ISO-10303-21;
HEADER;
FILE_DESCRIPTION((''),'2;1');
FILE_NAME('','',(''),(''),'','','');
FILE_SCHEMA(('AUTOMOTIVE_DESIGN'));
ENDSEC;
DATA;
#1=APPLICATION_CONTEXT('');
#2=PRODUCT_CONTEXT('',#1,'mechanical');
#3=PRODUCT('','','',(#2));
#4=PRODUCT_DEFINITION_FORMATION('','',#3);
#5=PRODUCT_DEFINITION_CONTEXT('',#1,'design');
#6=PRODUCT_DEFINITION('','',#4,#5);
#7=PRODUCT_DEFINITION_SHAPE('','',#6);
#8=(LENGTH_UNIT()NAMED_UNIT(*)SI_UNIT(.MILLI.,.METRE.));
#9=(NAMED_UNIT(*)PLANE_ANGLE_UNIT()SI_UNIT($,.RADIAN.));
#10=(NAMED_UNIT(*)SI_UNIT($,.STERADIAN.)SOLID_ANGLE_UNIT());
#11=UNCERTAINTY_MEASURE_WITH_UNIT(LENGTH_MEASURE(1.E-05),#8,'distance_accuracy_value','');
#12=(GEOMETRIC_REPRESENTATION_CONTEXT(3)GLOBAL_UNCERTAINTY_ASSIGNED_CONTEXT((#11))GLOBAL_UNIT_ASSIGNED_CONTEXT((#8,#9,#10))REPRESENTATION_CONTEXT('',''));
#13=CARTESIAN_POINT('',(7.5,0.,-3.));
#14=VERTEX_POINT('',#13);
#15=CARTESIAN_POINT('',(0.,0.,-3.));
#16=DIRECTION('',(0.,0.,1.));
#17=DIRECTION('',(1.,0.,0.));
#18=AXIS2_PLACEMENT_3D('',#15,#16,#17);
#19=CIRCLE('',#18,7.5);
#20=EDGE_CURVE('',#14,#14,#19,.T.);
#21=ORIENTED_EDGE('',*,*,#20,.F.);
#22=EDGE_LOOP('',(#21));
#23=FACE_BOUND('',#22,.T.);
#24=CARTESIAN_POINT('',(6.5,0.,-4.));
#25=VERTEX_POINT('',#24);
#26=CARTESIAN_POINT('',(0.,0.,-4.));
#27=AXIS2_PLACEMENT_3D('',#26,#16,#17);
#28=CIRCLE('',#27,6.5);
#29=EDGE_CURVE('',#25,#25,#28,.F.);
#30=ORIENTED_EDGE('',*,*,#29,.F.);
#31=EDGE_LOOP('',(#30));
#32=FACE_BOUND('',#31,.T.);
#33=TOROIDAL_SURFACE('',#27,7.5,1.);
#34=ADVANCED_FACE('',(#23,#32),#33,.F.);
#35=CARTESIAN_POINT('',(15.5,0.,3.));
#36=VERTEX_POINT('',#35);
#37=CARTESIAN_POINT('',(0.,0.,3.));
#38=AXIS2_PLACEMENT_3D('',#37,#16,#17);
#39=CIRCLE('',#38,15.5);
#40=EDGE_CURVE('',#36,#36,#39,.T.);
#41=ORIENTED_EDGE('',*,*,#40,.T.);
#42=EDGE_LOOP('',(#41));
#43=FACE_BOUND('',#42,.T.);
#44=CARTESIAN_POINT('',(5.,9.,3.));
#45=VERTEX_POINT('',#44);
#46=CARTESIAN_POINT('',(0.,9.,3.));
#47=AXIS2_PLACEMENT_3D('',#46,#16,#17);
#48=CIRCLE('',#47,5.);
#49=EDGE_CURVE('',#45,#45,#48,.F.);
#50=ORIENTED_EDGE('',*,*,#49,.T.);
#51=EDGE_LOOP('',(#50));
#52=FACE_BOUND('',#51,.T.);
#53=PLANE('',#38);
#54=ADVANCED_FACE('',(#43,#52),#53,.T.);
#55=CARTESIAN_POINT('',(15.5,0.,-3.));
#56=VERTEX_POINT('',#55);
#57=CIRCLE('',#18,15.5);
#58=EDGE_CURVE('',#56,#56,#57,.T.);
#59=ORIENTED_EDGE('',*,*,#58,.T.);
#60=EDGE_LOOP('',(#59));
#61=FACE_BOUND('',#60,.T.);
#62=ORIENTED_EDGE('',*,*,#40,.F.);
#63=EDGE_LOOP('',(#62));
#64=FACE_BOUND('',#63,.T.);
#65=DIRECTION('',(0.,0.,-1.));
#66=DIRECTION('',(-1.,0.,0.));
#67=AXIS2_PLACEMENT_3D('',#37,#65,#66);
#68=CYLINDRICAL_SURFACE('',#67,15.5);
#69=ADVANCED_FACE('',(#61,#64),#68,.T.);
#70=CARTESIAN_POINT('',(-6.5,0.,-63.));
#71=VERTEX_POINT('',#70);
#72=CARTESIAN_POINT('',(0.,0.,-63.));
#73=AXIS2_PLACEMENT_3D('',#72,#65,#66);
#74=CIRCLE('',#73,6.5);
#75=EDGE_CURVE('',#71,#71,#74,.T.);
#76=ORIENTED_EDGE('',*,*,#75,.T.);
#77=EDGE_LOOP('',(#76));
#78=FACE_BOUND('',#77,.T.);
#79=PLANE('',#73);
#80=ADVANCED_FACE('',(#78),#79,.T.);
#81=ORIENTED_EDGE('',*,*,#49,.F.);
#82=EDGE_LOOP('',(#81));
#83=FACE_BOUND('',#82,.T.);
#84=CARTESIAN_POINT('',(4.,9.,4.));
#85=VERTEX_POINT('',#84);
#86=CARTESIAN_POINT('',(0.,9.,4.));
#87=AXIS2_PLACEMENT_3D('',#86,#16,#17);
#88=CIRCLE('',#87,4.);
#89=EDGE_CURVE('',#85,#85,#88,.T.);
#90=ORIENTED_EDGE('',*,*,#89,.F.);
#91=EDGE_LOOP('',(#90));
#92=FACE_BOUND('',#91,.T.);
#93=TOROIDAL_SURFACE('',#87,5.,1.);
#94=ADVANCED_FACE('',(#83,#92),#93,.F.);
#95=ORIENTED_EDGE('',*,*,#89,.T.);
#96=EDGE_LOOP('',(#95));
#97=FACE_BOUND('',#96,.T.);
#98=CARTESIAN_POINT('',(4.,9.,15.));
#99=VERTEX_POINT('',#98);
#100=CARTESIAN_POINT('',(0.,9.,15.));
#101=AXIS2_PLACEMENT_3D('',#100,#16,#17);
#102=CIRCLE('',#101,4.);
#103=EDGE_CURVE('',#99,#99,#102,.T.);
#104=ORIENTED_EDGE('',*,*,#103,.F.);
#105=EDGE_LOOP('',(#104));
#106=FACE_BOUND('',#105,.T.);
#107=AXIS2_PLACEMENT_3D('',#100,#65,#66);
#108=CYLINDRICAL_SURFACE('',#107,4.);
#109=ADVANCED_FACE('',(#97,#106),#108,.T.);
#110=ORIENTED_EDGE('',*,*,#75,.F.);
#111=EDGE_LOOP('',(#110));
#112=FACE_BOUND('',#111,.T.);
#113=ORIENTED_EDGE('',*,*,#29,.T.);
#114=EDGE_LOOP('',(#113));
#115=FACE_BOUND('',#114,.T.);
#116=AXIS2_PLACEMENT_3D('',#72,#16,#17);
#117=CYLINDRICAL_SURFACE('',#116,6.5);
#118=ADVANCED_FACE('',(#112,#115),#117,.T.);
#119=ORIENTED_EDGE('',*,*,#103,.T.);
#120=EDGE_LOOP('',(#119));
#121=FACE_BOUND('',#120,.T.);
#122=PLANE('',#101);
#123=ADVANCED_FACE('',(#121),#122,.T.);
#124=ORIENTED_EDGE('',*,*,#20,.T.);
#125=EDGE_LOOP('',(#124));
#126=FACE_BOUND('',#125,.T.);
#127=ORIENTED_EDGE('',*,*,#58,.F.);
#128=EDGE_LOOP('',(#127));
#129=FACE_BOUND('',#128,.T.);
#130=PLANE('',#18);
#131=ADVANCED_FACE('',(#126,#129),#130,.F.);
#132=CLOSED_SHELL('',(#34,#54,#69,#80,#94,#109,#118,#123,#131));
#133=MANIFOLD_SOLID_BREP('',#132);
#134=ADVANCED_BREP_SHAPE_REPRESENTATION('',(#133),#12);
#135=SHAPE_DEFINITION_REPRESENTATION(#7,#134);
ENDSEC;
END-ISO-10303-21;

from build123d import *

# Parameters (mm, degrees)
SKETCH1_R           = 15.5
BOSS_EXTRUDE2_DEPTH = 3
BOSS_EXTRUDE3_START = 3
SKETCH1_6_R         = 4
BOSS_EXTRUDE3_DEPTH = 12
SKETCH2_R           = 6.5
BOSS_EXTRUDE4_DEPTH = 60
FILLET1_R           = 1


with BuildPart() as part:
    # Sketch1 → Boss-Extrude2 (new, symmetric)
    with BuildSketch(Plane.XY):
        Circle(SKETCH1_R)
    extrude(amount=BOSS_EXTRUDE2_DEPTH, both=True)

    # Sketch1<6> → Boss-Extrude3 (add)
    with BuildSketch(Plane.XY.offset(BOSS_EXTRUDE3_START)):
        with Locations((0, 9)):
            Circle(SKETCH1_6_R)
    extrude(amount=BOSS_EXTRUDE3_DEPTH)

    # Sketch2 → Boss-Extrude4 (add)
    with BuildSketch(Plane(origin=(0, 0, -3), x_dir=(-1, 0, 0), z_dir=(0, 0, -1))):
        Circle(SKETCH2_R)
    extrude(amount=BOSS_EXTRUDE4_DEPTH)

    # Fillet1
    fillet1_edges = [part.edges().sort_by_distance(p)[0] for p in [
        (-4, 9, 3),
        (6.5, 0, -3),
    ]]
    fillet(fillet1_edges, radius=FILLET1_R)


solid = part.part
